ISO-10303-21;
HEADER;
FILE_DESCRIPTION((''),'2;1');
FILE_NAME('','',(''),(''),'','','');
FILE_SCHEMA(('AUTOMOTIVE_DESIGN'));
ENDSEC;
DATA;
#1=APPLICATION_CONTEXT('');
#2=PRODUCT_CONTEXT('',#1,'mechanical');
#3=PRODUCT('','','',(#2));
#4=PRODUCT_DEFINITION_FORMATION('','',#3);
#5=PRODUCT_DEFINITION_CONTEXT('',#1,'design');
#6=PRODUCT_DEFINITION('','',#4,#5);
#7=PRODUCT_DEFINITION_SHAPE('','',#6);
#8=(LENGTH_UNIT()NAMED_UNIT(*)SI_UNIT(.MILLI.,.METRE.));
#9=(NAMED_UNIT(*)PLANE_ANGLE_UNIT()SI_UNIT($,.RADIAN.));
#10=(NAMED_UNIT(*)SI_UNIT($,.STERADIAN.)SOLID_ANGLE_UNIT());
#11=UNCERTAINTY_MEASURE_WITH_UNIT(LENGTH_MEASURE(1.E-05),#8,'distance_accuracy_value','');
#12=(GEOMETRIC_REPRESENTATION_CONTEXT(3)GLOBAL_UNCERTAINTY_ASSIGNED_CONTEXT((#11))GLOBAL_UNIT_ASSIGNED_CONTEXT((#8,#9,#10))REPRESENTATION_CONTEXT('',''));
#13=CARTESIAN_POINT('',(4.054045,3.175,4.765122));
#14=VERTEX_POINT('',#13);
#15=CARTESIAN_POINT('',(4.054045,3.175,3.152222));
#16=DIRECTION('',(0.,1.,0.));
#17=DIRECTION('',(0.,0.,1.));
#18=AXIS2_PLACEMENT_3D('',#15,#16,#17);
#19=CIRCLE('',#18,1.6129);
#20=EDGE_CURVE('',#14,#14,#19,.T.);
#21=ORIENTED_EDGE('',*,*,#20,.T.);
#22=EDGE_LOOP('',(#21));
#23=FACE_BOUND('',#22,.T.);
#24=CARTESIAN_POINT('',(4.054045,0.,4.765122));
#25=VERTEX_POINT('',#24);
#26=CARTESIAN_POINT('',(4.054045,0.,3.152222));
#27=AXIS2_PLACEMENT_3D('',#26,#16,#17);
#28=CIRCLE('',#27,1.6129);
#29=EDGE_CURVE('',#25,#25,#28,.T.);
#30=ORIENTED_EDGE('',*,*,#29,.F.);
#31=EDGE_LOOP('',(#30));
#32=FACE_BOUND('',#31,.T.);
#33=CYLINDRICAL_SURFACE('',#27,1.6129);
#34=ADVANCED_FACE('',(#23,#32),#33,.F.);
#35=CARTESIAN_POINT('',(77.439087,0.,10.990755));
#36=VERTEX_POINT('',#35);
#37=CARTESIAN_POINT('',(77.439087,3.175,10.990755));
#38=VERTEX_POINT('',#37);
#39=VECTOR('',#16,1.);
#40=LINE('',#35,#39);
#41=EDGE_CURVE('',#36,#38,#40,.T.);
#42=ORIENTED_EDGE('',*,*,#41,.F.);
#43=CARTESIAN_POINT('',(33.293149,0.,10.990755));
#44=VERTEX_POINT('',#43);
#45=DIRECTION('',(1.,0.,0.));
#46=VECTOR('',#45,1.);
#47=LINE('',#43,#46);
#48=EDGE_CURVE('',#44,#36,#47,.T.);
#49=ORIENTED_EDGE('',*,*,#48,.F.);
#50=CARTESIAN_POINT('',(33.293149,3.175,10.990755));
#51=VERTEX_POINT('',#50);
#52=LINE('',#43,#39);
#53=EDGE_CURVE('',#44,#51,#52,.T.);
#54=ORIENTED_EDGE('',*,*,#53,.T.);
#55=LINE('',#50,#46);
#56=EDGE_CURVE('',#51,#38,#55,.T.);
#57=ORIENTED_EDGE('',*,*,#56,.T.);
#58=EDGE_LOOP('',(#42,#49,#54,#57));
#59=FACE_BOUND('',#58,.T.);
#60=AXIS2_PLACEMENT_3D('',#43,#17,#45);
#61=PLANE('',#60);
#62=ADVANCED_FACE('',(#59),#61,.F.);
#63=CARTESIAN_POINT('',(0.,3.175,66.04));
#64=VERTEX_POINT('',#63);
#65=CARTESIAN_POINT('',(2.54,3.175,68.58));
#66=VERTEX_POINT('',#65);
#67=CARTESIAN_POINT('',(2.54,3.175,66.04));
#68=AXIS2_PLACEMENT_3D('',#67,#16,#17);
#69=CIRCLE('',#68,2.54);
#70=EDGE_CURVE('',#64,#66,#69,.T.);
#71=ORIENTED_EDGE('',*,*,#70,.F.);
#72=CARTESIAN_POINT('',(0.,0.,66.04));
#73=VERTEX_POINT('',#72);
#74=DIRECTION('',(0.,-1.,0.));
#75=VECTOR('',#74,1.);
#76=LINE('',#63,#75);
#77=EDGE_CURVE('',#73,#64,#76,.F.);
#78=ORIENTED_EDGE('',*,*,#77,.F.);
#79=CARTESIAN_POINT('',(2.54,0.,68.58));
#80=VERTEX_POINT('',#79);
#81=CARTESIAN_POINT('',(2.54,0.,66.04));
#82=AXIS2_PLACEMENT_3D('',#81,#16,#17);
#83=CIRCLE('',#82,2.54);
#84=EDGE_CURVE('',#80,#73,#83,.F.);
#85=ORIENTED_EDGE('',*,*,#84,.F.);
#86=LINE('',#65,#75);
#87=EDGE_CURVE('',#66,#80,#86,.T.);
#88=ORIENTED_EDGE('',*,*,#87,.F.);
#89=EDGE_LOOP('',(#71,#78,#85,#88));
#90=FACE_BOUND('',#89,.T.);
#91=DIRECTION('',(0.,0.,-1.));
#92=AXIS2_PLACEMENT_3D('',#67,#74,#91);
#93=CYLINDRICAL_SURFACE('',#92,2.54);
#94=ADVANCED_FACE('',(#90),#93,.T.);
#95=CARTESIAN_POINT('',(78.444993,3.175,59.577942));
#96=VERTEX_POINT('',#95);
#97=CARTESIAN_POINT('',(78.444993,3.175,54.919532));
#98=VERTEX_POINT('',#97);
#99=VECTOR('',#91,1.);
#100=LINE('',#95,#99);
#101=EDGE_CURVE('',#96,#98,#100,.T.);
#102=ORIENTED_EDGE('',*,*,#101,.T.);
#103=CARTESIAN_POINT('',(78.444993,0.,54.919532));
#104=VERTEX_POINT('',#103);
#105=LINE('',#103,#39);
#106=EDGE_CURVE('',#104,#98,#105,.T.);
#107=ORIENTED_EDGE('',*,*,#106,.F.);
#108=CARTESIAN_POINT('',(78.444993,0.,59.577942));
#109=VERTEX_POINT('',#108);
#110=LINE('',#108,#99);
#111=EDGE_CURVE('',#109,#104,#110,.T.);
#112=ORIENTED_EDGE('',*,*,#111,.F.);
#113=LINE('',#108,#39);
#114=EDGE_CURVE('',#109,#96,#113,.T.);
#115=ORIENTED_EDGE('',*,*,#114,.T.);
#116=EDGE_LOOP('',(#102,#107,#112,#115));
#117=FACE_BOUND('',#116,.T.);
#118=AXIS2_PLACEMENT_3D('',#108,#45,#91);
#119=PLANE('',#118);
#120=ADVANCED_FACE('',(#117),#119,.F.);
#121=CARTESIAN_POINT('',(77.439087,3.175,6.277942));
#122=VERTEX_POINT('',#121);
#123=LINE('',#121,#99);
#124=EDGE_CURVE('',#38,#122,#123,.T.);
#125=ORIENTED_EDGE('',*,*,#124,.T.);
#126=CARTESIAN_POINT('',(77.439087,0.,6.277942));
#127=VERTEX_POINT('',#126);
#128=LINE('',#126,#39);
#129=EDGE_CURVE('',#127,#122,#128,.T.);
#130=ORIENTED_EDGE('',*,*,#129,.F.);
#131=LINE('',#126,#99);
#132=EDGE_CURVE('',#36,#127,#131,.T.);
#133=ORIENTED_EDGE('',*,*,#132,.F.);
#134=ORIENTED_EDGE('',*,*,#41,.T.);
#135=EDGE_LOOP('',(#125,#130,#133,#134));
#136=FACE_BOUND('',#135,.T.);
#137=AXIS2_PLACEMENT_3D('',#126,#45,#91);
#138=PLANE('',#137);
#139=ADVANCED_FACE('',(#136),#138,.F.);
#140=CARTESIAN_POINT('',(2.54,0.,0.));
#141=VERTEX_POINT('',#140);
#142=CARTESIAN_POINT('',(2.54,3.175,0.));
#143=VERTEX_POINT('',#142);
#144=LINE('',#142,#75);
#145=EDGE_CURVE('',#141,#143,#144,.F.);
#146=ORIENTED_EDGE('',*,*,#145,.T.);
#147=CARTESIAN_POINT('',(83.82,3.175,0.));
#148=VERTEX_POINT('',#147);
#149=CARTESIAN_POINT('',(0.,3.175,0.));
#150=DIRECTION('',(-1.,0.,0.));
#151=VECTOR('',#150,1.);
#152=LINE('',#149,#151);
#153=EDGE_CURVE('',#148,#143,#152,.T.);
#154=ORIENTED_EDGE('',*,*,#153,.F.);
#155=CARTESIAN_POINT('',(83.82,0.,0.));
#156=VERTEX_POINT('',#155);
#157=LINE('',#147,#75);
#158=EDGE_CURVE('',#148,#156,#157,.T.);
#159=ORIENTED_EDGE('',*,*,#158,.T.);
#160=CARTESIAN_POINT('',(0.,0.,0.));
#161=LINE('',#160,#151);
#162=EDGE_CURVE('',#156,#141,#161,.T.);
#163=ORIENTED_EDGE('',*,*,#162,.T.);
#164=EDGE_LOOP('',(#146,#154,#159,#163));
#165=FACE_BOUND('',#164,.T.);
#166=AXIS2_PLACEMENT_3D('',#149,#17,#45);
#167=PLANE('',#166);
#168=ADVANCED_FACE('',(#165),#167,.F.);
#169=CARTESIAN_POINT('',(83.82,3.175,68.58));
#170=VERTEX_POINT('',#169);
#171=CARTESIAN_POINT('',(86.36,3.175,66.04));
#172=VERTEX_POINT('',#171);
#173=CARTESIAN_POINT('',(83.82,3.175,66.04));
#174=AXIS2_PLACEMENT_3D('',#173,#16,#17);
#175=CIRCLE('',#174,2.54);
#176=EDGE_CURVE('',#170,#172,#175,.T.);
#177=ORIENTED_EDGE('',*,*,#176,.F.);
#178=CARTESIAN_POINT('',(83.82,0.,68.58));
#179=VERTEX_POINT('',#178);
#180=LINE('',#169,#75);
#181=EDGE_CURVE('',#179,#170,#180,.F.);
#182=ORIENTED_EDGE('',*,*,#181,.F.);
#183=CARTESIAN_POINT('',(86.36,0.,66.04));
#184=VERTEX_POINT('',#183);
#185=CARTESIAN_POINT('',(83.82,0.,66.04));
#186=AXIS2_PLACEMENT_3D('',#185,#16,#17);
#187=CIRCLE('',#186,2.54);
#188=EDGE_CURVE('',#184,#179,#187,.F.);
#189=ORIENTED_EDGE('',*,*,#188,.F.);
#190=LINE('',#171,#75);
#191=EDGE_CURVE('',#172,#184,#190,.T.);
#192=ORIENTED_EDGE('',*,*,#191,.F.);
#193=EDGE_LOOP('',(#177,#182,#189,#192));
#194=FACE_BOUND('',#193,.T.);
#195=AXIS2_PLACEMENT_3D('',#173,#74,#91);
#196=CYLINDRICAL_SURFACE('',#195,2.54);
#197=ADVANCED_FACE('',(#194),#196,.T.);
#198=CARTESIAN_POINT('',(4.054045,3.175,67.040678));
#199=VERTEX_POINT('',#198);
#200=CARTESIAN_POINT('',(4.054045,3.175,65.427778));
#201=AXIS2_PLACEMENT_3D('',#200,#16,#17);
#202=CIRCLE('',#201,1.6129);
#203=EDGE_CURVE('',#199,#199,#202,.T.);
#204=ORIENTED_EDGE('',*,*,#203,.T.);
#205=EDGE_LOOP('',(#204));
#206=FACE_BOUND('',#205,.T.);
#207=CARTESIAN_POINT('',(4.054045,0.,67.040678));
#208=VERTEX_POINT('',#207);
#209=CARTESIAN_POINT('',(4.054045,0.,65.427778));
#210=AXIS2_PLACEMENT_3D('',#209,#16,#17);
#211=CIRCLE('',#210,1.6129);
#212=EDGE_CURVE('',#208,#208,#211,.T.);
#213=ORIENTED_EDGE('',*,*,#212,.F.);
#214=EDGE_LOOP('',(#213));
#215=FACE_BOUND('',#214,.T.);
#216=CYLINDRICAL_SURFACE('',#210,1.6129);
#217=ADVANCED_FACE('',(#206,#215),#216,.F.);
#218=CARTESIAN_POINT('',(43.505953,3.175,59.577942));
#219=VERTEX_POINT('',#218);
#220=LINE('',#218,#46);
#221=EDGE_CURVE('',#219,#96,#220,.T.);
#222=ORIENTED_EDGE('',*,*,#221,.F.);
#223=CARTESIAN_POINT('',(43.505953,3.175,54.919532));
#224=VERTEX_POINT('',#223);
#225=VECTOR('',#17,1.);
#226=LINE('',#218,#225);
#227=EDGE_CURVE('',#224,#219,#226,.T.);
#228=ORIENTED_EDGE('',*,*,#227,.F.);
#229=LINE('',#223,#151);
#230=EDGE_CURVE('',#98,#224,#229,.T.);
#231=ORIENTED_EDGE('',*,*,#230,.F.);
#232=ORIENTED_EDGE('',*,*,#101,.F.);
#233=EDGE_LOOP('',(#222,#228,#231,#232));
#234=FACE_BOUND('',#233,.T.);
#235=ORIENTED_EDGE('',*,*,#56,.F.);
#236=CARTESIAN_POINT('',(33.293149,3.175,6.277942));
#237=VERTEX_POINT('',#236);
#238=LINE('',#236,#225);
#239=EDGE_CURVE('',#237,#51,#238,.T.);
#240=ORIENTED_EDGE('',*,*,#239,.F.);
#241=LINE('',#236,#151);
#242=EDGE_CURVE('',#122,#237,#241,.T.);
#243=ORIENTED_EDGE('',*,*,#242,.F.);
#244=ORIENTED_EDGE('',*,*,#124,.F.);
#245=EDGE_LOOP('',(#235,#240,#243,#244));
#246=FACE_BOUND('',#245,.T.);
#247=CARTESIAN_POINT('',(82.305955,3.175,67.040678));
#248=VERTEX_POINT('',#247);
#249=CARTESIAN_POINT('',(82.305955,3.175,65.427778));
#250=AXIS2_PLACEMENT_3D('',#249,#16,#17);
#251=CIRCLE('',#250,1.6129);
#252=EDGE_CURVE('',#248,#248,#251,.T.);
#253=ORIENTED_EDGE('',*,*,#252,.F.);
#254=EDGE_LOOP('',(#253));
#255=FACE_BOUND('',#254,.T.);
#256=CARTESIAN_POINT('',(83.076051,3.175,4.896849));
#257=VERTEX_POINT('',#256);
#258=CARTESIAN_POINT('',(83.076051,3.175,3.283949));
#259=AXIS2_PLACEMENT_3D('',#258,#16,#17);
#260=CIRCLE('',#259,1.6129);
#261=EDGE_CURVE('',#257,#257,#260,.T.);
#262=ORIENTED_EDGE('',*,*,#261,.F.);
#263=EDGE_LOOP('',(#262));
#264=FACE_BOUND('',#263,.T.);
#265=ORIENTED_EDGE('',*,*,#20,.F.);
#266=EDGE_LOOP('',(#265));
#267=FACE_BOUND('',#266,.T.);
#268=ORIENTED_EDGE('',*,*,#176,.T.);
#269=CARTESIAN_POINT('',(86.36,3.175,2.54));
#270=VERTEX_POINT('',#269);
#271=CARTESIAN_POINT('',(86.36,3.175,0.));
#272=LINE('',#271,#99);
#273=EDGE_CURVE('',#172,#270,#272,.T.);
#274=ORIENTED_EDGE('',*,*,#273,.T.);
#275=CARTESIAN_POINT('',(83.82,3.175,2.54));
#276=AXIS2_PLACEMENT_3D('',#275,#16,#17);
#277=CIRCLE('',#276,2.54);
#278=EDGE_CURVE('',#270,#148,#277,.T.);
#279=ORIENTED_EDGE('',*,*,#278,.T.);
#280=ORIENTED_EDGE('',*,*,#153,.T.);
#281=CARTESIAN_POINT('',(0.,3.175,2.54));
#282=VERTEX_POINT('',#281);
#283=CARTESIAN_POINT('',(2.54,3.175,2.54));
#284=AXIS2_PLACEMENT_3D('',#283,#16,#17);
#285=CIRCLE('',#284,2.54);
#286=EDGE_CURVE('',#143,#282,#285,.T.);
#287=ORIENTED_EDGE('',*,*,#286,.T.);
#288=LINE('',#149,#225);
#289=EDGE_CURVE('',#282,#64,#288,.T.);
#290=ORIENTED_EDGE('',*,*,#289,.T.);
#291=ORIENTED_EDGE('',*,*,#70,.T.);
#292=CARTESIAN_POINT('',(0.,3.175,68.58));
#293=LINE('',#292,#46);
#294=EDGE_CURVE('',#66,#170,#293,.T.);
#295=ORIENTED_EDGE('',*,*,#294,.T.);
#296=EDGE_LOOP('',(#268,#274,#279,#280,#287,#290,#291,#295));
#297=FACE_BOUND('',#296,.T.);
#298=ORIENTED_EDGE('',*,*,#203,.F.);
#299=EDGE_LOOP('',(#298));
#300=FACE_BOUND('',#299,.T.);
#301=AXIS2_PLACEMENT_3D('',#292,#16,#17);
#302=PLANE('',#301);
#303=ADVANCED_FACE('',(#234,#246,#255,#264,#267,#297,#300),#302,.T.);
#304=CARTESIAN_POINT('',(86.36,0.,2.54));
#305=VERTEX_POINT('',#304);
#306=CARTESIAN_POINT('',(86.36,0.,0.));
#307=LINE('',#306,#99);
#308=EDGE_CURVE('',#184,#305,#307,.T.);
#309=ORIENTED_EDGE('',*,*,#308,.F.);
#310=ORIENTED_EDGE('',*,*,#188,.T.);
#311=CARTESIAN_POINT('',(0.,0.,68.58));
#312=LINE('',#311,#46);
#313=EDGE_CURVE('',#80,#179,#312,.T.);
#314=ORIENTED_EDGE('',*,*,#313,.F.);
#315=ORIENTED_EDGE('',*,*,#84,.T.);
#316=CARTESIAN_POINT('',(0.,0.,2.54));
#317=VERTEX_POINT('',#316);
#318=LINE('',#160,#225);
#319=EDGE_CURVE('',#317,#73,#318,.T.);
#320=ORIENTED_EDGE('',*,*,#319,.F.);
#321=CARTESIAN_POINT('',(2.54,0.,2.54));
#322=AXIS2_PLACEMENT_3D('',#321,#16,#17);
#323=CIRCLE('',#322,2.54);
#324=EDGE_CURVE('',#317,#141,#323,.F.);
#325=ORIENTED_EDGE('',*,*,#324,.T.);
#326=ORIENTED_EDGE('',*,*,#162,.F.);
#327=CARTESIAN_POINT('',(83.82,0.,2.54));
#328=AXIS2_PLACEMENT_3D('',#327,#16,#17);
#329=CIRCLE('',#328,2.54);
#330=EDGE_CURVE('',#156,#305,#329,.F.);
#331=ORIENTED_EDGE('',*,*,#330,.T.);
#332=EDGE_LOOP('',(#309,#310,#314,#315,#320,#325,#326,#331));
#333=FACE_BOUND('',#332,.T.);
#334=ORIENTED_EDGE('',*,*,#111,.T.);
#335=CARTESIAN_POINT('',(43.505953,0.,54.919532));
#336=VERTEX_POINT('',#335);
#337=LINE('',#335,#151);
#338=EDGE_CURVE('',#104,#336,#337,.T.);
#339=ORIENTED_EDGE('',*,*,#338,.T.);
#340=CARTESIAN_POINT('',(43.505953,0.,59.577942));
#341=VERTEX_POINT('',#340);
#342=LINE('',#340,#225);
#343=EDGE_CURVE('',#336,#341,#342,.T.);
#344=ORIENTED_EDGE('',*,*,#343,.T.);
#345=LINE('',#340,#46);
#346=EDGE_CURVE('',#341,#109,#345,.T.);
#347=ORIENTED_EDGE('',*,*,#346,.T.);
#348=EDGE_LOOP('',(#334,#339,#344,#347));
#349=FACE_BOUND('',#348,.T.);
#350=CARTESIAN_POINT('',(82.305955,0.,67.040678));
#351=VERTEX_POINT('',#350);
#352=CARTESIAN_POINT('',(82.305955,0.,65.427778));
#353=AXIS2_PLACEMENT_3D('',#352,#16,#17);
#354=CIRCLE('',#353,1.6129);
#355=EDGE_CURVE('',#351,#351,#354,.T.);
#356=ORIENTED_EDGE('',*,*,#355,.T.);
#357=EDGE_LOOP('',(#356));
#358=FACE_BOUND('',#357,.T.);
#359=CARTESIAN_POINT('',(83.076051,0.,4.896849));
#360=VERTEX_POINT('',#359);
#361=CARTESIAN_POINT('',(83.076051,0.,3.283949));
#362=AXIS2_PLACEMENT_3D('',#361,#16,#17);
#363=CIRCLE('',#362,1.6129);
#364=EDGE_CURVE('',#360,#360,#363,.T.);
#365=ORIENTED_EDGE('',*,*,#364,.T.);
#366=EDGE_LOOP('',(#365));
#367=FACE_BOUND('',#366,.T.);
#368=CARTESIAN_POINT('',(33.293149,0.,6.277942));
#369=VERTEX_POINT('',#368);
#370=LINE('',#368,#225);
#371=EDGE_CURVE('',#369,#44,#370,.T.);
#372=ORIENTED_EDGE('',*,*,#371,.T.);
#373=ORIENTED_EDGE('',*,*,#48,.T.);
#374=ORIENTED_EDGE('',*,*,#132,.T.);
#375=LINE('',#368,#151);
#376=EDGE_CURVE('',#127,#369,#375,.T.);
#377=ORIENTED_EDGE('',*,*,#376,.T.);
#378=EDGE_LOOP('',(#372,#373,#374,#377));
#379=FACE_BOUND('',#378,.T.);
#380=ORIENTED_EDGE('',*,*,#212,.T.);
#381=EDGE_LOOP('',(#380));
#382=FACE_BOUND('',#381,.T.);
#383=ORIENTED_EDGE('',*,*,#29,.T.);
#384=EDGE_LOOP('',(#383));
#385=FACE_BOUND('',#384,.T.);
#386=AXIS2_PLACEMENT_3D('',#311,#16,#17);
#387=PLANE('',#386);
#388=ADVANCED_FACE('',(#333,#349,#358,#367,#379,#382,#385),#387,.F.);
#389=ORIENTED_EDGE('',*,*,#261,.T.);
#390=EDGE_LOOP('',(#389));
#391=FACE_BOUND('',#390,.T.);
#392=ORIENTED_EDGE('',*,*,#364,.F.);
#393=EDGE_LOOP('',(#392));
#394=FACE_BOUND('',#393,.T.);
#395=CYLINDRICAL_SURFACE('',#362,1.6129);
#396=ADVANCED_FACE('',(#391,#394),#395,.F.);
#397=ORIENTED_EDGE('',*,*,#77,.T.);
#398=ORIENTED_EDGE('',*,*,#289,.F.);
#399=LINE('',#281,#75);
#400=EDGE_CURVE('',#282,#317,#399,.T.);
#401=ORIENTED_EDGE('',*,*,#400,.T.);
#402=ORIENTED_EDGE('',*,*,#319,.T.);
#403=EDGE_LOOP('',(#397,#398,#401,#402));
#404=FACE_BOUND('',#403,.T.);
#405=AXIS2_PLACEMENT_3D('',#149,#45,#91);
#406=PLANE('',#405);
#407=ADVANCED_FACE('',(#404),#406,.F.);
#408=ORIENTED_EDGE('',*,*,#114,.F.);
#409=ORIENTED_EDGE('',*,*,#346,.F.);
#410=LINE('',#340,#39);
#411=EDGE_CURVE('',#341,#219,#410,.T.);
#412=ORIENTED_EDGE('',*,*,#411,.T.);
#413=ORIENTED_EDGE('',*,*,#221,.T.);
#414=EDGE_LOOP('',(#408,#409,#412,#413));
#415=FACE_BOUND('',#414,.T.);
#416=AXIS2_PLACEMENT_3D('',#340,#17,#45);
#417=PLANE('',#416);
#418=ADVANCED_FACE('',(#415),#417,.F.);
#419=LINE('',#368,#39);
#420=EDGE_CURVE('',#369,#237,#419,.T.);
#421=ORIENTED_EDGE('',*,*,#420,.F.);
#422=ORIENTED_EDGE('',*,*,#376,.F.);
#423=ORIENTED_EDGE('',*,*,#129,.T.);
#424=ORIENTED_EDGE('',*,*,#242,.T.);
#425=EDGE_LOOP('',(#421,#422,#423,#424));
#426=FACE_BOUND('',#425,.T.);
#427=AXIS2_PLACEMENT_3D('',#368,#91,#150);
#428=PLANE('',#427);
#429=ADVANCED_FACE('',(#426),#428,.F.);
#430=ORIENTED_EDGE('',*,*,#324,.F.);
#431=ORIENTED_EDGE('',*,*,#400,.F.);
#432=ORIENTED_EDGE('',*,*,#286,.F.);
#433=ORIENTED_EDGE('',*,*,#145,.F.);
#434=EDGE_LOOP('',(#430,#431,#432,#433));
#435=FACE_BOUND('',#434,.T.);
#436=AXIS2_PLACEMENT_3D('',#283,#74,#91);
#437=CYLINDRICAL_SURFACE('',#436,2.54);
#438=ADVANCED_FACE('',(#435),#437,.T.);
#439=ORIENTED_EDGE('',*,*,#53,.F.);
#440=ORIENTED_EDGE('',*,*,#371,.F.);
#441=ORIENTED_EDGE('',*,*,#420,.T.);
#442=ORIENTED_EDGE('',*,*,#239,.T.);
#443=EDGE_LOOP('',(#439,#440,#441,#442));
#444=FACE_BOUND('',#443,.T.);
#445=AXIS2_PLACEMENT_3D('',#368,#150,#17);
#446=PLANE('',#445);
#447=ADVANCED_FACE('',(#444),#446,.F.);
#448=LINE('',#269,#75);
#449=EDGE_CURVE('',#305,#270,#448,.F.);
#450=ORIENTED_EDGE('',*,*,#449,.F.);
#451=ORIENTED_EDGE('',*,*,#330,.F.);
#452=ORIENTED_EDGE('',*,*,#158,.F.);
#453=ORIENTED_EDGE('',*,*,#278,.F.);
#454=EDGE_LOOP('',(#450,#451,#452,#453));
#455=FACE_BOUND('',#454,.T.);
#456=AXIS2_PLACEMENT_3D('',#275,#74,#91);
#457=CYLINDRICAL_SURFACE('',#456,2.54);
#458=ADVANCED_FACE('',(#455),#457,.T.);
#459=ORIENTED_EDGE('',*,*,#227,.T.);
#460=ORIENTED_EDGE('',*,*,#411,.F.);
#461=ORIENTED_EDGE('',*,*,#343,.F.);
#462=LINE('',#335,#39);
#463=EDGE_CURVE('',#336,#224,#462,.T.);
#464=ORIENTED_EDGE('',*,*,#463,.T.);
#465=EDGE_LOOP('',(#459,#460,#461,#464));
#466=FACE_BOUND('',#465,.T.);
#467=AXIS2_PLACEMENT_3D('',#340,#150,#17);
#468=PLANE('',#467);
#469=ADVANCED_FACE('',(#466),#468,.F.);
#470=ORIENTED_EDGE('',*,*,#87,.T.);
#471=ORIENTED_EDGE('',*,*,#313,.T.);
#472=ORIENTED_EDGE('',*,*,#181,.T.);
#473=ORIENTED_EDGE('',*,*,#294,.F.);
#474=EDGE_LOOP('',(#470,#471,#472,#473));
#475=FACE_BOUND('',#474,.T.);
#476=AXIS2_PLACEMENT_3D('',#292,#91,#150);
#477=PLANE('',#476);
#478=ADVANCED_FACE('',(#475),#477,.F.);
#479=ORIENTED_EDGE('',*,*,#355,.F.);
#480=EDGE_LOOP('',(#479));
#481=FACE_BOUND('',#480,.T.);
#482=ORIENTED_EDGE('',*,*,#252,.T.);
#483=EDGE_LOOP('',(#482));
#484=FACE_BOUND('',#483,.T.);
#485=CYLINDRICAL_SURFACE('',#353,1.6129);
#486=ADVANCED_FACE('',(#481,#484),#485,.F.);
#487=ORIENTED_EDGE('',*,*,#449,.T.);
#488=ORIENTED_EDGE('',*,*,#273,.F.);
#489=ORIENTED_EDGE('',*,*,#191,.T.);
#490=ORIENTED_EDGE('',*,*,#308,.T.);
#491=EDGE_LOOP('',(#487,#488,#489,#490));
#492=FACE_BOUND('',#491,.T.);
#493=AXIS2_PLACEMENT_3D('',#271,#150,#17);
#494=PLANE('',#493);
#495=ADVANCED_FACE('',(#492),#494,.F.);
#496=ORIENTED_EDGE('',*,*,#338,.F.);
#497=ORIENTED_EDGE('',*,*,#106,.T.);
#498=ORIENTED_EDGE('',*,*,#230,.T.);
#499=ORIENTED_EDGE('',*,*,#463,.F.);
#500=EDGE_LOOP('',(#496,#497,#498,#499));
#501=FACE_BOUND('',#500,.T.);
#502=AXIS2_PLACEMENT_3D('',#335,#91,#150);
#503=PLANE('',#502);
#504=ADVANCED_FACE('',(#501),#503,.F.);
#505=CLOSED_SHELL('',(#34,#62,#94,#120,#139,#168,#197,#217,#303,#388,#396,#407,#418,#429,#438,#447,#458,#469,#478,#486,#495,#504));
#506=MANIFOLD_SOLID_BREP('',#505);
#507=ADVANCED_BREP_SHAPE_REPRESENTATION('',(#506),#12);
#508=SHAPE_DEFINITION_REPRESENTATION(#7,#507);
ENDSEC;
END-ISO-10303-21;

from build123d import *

# Parameters (mm, degrees)
SKETCH1_W           = 86.36
SKETCH1_H           = 68.58
BOSS_EXTRUDE1_DEPTH = 3.175
FILLET1_R           = 2.54
SKETCH2_R           = 1.6129
CUT_EXTRUDE1_DEPTH  = 4.175
SKETCH3_W           = 44.145937315
SKETCH3_H           = 4.712813079
SKETCH3_W_2         = 34.939039867
SKETCH3_H_2         = 4.658410012
CUT_EXTRUDE2_DEPTH  = 4.175


with BuildPart() as part:
    # Sketch1 → Boss-Extrude1 (new body)
    with BuildSketch(Plane(origin=(0, 0, 0), x_dir=(1, 0, 0), z_dir=(0, 1, 0))):
        with Locations((43.18, -34.29)):
            Rectangle(SKETCH1_W, SKETCH1_H)
    extrude(amount=BOSS_EXTRUDE1_DEPTH)

    # Fillet1
    fillet1_edges = [part.edges().sort_by_distance(p)[0] for p in [
        (0, 1.5875, 0),
        (86.36, 1.5875, 0),
        (86.36, 1.5875, 68.58),
        (0, 1.5875, 68.58),
    ]]
    fillet(fillet1_edges, radius=FILLET1_R)

    # Sketch2 → Cut-Extrude1 (cut, through all)
    with BuildSketch(Plane(origin=(0, 3.175, 0), x_dir=(-1, 0, 0), z_dir=(0, 1, 0))):
        with Locations(Location((-4.054045308, 3.152222292, 0), (0, 0, 90))):  # turned: the seam where the file's is
            Circle(SKETCH2_R)
        with Locations(Location((-83.076051224, 3.283948776, 0), (0, 0, 90))):  # turned: the seam where the file's is
            Circle(SKETCH2_R)
        with Locations(Location((-82.305954692, 65.427777708, 0), (0, 0, 90))):  # turned: the seam where the file's is
            Circle(SKETCH2_R)
        with Locations(Location((-4.054045308, 65.427777708, 0), (0, 0, 90))):  # turned: the seam where the file's is
            Circle(SKETCH2_R)
    extrude(amount=-CUT_EXTRUDE1_DEPTH, mode=Mode.SUBTRACT)

    # Sketch3 → Cut-Extrude2 (cut, through all)
    with BuildSketch(Plane(origin=(0, 3.175, 0), x_dir=(1, 0, 0), z_dir=(0, 1, 0))):
        with Locations((55.366118113, -8.634348767)):
            Rectangle(SKETCH3_W, SKETCH3_H)
        with Locations((60.97547331, -57.248737221)):
            Rectangle(SKETCH3_W_2, SKETCH3_H_2)
    extrude(amount=-CUT_EXTRUDE2_DEPTH, mode=Mode.SUBTRACT)


solid = part.part
